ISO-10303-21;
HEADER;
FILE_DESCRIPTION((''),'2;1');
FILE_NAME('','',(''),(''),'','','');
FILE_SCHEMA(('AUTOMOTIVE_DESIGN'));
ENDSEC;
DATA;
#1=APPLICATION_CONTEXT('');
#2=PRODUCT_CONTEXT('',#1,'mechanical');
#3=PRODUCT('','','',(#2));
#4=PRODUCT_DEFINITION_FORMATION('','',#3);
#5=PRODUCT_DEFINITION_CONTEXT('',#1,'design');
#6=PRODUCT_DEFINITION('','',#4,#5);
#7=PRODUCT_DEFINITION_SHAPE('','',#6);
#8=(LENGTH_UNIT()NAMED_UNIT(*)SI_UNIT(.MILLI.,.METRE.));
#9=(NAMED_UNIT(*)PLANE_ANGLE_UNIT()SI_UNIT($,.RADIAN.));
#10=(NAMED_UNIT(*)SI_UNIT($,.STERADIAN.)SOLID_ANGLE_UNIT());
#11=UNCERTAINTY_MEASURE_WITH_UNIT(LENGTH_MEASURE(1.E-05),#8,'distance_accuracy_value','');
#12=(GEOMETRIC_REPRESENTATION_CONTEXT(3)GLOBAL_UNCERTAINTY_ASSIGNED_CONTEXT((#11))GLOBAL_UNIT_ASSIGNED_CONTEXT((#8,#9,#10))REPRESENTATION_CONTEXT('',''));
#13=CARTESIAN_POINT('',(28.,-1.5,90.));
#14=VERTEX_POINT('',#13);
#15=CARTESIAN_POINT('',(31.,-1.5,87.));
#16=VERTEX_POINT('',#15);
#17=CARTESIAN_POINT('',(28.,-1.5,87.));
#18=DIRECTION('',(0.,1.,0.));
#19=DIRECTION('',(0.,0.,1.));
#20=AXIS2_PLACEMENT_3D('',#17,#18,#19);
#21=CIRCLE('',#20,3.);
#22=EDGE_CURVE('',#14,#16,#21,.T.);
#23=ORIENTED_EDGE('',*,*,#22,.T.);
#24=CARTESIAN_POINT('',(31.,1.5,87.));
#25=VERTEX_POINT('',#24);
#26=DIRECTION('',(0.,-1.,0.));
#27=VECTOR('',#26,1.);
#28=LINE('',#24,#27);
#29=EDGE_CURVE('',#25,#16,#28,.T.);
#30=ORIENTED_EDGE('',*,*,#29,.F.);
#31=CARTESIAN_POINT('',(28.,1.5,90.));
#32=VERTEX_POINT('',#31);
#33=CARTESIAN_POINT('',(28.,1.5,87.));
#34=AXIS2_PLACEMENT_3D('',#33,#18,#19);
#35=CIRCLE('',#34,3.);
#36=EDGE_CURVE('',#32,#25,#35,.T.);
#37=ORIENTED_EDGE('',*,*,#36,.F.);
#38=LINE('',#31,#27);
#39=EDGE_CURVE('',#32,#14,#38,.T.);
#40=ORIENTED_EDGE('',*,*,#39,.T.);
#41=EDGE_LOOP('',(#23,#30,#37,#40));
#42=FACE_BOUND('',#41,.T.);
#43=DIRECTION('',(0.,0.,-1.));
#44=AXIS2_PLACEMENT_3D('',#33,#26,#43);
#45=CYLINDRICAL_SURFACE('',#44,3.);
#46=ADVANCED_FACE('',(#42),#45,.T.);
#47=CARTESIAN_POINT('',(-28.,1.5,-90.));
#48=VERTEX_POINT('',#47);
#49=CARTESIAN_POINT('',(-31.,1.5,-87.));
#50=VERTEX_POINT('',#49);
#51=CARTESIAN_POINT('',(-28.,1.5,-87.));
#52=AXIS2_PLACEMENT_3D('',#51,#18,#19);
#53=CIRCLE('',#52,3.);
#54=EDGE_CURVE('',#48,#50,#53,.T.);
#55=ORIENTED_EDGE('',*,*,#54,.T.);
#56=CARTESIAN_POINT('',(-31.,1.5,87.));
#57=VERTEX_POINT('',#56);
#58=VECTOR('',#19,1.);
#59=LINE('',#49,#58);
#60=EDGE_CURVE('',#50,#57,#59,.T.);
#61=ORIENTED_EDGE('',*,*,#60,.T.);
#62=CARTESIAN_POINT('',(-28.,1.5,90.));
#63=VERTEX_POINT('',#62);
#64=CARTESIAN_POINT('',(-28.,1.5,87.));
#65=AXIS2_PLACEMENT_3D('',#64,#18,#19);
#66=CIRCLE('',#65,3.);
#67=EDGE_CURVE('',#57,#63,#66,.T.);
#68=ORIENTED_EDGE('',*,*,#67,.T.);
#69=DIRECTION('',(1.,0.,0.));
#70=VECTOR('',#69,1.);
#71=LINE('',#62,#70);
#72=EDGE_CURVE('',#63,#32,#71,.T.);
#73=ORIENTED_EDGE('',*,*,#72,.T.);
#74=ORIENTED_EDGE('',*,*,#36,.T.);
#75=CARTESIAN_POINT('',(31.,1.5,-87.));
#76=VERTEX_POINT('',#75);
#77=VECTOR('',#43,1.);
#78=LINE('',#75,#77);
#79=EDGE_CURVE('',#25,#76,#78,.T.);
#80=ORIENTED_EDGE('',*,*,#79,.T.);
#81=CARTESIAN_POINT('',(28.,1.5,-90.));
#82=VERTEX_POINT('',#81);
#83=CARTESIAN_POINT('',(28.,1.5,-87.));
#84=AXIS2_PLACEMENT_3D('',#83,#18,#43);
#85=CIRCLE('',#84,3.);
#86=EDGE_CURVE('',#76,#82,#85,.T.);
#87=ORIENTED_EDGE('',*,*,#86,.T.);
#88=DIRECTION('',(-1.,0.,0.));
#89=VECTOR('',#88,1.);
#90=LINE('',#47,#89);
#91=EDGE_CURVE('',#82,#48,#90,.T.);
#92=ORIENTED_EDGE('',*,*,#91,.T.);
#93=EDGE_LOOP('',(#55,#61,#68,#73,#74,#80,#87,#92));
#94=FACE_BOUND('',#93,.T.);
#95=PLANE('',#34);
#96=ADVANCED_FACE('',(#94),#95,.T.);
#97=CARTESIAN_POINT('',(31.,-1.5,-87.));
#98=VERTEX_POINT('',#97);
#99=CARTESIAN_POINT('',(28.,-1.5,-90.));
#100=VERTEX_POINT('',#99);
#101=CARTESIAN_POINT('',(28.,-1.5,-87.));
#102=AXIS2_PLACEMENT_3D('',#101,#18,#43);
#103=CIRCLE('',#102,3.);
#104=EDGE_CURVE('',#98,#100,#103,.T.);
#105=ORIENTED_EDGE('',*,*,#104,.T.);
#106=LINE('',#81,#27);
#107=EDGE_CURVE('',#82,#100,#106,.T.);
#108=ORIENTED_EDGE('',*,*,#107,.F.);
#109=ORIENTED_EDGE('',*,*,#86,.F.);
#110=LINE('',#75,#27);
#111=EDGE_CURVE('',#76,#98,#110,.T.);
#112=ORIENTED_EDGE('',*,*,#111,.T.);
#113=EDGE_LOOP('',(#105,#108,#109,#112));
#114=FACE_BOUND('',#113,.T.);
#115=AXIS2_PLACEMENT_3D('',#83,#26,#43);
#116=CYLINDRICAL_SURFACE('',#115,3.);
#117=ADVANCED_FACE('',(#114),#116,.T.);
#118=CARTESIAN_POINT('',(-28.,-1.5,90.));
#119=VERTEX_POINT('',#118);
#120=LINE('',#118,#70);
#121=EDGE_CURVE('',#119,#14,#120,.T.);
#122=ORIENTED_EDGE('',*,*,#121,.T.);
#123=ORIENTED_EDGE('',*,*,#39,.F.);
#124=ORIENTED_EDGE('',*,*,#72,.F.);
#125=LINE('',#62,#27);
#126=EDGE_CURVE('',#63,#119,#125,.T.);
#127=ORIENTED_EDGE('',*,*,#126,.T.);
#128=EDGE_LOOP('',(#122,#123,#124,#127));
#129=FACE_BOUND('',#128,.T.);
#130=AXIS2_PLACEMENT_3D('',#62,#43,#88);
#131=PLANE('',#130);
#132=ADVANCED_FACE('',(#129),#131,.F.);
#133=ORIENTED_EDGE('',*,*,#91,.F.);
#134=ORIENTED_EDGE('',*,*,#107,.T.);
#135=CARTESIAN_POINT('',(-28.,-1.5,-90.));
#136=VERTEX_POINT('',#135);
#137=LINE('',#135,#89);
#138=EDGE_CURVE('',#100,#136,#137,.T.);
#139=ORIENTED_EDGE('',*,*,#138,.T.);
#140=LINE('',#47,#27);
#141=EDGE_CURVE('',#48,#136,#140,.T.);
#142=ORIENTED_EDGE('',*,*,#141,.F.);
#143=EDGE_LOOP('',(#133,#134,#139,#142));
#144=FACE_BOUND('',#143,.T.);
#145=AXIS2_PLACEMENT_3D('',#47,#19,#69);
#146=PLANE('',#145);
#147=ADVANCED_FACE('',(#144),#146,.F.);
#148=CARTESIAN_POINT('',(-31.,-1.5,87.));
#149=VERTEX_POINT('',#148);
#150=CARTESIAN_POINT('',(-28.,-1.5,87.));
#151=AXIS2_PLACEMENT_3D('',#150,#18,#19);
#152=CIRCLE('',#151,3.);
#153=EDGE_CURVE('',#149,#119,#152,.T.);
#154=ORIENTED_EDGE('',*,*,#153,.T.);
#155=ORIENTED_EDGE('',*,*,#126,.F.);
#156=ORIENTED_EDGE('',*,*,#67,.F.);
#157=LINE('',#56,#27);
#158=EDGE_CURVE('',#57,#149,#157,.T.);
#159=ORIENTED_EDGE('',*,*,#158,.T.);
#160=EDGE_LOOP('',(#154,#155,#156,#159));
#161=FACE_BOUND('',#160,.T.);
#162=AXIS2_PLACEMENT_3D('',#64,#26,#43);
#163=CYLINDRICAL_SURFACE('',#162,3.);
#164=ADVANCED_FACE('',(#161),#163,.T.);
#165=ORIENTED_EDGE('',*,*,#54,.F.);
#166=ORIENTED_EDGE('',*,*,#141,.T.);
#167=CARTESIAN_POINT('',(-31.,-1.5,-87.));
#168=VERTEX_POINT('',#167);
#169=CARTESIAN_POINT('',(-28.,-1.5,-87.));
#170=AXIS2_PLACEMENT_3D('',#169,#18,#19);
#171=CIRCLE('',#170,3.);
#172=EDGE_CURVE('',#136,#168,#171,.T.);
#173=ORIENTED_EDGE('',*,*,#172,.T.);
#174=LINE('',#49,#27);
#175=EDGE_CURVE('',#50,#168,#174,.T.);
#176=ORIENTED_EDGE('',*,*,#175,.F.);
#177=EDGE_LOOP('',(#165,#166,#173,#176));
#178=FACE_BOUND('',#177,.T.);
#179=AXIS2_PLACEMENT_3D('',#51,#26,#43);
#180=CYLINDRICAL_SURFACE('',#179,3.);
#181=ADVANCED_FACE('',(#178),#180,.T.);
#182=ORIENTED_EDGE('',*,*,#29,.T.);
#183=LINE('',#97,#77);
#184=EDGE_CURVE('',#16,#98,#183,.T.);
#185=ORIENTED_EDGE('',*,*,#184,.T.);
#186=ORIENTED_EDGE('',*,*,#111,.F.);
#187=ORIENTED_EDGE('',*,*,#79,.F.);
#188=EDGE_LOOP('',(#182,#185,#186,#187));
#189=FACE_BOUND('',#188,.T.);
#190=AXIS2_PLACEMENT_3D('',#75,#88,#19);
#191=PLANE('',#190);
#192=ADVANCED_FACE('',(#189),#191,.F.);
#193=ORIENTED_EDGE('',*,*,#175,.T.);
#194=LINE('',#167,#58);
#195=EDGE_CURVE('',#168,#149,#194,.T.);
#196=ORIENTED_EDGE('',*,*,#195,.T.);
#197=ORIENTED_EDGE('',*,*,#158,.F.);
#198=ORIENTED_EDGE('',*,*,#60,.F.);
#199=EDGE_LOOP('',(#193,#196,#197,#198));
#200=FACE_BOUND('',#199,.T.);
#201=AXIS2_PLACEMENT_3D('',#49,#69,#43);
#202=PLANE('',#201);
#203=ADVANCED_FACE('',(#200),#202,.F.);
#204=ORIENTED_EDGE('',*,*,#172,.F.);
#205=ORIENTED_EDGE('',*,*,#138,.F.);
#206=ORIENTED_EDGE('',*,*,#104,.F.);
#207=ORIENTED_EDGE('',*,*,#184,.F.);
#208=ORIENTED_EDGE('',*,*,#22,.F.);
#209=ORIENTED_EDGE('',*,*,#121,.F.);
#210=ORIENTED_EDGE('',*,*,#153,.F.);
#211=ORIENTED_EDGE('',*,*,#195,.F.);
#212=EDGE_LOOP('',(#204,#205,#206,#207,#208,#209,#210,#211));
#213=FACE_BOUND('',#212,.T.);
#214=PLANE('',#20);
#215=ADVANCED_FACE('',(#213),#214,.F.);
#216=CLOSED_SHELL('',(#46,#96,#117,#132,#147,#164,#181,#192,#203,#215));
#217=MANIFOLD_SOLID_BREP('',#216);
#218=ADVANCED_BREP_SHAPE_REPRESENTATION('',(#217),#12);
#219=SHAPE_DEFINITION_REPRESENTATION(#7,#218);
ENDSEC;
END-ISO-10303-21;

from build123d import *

# Parameters (mm, degrees)
SPINE_BODY_DEPTH = 1.5


with BuildPart() as part:
    # Sketch1 → Spine_Body (new, symmetric)
    with BuildSketch(Plane(origin=(0, 0, 0), x_dir=(1, 0, 0), z_dir=(0, 1, 0))):
        with BuildLine():
            Line((-28, 90), (28, 90))
            ThreePointArc((28, 90), (30.121320344, 89.121320344), (31, 87))
            Line((31, 87), (31, -87))
            ThreePointArc((31, -87), (30.121320344, -89.121320344), (28, -90))
            Line((28, -90), (-28, -90))
            ThreePointArc((-28, -90), (-30.121320344, -89.121320344), (-31, -87))
            Line((-31, -87), (-31, 87))
            ThreePointArc((-31, 87), (-30.121320344, 89.121320344), (-28, 90))
        make_face()
    extrude(amount=SPINE_BODY_DEPTH, both=True)


solid = part.part
